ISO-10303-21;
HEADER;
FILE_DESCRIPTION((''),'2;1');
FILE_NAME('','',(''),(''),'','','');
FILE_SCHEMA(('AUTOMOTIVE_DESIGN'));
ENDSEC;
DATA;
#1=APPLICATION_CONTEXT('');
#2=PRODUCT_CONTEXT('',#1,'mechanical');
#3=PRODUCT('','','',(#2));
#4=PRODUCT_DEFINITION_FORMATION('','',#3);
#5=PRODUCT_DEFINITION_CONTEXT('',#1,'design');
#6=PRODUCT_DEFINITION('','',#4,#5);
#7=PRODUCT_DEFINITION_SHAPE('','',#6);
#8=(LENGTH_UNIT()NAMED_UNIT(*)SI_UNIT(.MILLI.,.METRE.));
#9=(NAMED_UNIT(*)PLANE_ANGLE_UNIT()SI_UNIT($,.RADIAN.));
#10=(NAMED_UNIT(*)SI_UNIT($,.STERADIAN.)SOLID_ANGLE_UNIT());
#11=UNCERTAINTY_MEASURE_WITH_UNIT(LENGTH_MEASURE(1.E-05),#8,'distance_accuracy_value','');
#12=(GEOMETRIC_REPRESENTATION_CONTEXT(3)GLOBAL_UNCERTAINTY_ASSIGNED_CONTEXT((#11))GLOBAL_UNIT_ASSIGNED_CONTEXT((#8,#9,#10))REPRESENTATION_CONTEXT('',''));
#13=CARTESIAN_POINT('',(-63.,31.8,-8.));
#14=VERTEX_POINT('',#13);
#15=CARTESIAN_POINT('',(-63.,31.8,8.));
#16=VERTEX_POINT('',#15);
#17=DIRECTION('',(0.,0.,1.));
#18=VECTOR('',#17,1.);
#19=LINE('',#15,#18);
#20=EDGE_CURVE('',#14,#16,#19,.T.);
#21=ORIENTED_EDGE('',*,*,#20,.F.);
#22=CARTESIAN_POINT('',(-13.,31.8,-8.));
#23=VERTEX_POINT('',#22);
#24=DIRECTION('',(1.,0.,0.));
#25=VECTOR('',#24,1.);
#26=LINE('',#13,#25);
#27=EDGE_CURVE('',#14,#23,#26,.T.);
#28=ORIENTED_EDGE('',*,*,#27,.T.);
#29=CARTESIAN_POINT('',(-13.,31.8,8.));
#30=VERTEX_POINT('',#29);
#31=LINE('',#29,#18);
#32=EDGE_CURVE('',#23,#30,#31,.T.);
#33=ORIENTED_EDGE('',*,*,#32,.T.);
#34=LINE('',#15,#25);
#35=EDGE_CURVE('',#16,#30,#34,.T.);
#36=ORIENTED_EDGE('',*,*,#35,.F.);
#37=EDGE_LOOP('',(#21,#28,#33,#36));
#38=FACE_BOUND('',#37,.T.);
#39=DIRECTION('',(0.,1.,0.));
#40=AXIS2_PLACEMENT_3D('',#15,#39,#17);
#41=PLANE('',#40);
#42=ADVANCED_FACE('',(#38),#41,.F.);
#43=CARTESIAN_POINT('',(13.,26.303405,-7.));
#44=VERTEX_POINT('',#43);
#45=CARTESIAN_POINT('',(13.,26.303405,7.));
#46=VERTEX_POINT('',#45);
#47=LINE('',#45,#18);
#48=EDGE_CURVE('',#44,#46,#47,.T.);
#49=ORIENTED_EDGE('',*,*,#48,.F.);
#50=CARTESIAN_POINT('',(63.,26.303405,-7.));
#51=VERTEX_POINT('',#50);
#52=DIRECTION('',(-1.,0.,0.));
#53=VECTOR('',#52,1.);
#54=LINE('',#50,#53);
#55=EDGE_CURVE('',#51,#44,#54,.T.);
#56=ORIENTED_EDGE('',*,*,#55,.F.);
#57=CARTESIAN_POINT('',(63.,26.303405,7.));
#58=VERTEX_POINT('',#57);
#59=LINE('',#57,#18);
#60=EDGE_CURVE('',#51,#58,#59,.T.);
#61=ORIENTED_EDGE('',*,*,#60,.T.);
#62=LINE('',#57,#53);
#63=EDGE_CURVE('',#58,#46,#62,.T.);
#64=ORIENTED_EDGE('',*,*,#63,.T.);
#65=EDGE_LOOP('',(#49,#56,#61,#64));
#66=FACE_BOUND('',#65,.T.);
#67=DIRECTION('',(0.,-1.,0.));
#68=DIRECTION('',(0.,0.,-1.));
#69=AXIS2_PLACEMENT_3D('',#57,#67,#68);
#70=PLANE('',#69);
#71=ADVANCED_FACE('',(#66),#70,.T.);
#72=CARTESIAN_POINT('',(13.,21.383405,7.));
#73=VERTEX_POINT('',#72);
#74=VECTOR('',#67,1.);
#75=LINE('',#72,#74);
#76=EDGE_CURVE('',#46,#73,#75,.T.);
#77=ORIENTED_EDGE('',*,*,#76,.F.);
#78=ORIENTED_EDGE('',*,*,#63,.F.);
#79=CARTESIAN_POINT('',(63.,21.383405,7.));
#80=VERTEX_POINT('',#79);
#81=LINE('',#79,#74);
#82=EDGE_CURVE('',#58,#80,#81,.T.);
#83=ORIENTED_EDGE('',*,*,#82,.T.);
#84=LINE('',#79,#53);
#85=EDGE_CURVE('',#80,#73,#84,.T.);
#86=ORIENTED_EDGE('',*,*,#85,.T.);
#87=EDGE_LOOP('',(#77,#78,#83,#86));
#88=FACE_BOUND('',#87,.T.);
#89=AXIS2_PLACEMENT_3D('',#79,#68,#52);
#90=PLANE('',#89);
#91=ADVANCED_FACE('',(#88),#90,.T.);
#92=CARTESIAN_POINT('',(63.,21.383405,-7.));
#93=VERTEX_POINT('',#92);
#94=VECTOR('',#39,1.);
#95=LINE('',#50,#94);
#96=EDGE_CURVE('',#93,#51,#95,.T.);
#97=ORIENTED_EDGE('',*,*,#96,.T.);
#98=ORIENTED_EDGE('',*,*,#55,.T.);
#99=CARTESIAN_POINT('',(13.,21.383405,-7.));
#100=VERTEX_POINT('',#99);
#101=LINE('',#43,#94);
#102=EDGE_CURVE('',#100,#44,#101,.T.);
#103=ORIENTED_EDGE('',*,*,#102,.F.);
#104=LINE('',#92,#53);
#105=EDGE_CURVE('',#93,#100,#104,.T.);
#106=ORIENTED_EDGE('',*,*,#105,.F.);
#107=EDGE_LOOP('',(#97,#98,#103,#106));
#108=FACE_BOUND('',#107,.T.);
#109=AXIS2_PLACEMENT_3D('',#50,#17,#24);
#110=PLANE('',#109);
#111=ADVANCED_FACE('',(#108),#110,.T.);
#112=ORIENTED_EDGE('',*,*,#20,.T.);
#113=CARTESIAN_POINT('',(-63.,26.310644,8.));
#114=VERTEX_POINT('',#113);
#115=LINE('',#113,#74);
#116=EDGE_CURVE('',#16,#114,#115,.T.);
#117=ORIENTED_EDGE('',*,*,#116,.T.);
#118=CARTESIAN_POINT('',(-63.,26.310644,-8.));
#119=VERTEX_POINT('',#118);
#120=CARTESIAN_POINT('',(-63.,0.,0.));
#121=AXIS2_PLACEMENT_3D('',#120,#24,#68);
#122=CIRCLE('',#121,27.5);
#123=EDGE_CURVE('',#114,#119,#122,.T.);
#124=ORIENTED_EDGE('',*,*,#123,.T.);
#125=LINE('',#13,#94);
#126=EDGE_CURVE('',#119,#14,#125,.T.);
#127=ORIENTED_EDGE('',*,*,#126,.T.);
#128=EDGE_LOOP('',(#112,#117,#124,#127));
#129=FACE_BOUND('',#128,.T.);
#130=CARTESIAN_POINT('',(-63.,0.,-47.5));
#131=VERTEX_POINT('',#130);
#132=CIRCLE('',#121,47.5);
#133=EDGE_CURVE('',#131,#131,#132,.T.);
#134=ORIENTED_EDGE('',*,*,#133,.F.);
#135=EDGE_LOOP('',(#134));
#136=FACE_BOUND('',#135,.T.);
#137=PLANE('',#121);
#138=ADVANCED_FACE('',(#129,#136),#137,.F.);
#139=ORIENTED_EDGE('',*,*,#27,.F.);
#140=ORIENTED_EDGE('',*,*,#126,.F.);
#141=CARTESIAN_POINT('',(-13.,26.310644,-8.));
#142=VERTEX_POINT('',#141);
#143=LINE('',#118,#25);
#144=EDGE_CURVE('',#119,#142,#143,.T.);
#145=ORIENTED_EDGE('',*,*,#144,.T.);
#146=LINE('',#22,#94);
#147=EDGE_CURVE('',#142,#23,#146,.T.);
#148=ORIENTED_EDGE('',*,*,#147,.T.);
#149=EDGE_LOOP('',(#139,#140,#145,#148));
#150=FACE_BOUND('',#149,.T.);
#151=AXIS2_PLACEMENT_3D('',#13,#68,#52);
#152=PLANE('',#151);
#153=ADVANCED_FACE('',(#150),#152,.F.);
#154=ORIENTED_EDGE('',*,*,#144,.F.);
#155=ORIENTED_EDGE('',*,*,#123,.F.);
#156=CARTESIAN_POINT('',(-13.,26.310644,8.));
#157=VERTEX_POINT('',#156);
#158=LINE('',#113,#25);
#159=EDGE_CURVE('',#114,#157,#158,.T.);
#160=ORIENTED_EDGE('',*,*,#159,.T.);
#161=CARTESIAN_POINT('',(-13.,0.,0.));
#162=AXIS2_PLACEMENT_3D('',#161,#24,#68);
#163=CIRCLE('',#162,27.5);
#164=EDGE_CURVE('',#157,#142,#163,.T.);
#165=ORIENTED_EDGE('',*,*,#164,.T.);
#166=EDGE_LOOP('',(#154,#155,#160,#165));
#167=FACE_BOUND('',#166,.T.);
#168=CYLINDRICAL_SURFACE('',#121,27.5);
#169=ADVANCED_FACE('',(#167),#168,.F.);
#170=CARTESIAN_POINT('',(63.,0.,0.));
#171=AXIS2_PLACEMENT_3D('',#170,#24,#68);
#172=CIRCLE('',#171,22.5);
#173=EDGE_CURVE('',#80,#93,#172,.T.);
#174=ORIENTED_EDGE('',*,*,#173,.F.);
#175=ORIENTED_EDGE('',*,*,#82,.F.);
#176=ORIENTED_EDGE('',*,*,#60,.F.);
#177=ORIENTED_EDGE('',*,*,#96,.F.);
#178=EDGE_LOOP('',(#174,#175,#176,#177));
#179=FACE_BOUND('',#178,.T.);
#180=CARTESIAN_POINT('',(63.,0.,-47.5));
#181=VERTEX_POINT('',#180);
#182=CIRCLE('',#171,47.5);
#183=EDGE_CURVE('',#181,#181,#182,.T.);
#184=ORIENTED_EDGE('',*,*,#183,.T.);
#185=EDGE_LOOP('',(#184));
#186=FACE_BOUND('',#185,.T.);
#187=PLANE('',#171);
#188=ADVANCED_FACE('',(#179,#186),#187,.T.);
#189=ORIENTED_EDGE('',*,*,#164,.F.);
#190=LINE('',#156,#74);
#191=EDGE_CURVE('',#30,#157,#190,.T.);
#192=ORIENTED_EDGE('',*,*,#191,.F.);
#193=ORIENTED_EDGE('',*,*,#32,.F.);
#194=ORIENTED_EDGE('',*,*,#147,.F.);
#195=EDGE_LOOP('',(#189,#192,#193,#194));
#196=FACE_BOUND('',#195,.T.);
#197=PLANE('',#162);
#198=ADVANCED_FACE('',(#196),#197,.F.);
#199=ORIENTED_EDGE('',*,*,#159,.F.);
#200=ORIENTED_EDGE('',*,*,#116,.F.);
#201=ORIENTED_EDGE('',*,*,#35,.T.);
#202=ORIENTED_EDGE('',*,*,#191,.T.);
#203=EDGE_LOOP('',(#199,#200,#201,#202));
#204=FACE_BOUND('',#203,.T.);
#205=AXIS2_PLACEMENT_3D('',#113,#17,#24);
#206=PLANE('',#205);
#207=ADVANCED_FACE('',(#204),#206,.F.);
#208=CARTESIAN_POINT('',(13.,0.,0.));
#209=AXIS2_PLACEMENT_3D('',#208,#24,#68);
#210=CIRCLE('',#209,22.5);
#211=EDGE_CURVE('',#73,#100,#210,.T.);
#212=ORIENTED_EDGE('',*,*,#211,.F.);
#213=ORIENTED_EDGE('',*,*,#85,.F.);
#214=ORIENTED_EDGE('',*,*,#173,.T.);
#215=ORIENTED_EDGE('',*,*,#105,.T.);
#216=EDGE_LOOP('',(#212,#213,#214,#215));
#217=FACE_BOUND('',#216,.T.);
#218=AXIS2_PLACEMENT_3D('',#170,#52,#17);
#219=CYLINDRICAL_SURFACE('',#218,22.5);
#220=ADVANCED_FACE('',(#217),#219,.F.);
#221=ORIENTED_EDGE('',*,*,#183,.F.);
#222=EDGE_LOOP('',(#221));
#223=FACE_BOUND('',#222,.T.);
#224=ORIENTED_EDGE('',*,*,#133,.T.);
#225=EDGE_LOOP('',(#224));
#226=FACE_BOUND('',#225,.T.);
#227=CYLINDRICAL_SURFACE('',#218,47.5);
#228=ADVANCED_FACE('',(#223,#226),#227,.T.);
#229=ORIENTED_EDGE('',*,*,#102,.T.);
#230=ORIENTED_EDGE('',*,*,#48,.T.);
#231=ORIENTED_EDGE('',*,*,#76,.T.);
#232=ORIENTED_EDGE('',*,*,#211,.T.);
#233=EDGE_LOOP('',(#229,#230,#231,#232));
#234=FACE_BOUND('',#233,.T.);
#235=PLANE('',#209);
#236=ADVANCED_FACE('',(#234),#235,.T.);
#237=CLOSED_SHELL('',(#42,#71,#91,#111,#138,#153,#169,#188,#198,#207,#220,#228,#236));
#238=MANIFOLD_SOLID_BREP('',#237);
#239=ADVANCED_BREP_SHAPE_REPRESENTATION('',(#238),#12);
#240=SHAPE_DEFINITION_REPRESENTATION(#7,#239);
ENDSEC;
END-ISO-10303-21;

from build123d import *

# Parameters (mm, degrees)
SKETCH_1_R          = 47.5
EXTRUDE_1_DEPTH     = 63
CUT_EXTRUDE_1_DEPTH = 102.432243394
CUT_EXTRUDE_2_DEPTH = 102.432243394


with BuildPart() as part:
    # Эскиз1 → Бобышка-Вытянуть1 (new, symmetric)
    with BuildSketch(Plane(origin=(0, 0, 0), x_dir=(0, 0, -1), z_dir=(1, 0, 0))):
        Circle(SKETCH_1_R)
    extrude(amount=EXTRUDE_1_DEPTH, both=True)

    # Эскиз2 → Вырез-Вытянуть1 (cut, through all)
    with BuildSketch(Plane(origin=(-13, 0, 0), x_dir=(0, 0, -1), z_dir=(1, 0, 0))):
        with BuildLine():
            Line((-8, 31.8), (8, 31.8))
            Line((8, 31.8), (8, 26.310644234))
            ThreePointArc((8, 26.310644234), (0, -27.5), (-8, 26.310644234))
            Line((-8, 26.310644234), (-8, 31.8))
        make_face()
    extrude(amount=-CUT_EXTRUDE_1_DEPTH, mode=Mode.SUBTRACT)

    # Эскиз3 → Вырез-Вытянуть2 (cut, through all)
    with BuildSketch(Plane(origin=(13, 0, 0), x_dir=(0, 0, -1), z_dir=(1, 0, 0))):
        with BuildLine():
            Line((-7, 26.30340478), (7, 26.30340478))
            Line((7, 26.30340478), (7, 21.38340478))
            ThreePointArc((7, 21.38340478), (0, -22.5), (-7, 21.38340478))
            Line((-7, 21.38340478), (-7, 26.30340478))
        make_face()
    extrude(amount=CUT_EXTRUDE_2_DEPTH, mode=Mode.SUBTRACT)


solid = part.part
